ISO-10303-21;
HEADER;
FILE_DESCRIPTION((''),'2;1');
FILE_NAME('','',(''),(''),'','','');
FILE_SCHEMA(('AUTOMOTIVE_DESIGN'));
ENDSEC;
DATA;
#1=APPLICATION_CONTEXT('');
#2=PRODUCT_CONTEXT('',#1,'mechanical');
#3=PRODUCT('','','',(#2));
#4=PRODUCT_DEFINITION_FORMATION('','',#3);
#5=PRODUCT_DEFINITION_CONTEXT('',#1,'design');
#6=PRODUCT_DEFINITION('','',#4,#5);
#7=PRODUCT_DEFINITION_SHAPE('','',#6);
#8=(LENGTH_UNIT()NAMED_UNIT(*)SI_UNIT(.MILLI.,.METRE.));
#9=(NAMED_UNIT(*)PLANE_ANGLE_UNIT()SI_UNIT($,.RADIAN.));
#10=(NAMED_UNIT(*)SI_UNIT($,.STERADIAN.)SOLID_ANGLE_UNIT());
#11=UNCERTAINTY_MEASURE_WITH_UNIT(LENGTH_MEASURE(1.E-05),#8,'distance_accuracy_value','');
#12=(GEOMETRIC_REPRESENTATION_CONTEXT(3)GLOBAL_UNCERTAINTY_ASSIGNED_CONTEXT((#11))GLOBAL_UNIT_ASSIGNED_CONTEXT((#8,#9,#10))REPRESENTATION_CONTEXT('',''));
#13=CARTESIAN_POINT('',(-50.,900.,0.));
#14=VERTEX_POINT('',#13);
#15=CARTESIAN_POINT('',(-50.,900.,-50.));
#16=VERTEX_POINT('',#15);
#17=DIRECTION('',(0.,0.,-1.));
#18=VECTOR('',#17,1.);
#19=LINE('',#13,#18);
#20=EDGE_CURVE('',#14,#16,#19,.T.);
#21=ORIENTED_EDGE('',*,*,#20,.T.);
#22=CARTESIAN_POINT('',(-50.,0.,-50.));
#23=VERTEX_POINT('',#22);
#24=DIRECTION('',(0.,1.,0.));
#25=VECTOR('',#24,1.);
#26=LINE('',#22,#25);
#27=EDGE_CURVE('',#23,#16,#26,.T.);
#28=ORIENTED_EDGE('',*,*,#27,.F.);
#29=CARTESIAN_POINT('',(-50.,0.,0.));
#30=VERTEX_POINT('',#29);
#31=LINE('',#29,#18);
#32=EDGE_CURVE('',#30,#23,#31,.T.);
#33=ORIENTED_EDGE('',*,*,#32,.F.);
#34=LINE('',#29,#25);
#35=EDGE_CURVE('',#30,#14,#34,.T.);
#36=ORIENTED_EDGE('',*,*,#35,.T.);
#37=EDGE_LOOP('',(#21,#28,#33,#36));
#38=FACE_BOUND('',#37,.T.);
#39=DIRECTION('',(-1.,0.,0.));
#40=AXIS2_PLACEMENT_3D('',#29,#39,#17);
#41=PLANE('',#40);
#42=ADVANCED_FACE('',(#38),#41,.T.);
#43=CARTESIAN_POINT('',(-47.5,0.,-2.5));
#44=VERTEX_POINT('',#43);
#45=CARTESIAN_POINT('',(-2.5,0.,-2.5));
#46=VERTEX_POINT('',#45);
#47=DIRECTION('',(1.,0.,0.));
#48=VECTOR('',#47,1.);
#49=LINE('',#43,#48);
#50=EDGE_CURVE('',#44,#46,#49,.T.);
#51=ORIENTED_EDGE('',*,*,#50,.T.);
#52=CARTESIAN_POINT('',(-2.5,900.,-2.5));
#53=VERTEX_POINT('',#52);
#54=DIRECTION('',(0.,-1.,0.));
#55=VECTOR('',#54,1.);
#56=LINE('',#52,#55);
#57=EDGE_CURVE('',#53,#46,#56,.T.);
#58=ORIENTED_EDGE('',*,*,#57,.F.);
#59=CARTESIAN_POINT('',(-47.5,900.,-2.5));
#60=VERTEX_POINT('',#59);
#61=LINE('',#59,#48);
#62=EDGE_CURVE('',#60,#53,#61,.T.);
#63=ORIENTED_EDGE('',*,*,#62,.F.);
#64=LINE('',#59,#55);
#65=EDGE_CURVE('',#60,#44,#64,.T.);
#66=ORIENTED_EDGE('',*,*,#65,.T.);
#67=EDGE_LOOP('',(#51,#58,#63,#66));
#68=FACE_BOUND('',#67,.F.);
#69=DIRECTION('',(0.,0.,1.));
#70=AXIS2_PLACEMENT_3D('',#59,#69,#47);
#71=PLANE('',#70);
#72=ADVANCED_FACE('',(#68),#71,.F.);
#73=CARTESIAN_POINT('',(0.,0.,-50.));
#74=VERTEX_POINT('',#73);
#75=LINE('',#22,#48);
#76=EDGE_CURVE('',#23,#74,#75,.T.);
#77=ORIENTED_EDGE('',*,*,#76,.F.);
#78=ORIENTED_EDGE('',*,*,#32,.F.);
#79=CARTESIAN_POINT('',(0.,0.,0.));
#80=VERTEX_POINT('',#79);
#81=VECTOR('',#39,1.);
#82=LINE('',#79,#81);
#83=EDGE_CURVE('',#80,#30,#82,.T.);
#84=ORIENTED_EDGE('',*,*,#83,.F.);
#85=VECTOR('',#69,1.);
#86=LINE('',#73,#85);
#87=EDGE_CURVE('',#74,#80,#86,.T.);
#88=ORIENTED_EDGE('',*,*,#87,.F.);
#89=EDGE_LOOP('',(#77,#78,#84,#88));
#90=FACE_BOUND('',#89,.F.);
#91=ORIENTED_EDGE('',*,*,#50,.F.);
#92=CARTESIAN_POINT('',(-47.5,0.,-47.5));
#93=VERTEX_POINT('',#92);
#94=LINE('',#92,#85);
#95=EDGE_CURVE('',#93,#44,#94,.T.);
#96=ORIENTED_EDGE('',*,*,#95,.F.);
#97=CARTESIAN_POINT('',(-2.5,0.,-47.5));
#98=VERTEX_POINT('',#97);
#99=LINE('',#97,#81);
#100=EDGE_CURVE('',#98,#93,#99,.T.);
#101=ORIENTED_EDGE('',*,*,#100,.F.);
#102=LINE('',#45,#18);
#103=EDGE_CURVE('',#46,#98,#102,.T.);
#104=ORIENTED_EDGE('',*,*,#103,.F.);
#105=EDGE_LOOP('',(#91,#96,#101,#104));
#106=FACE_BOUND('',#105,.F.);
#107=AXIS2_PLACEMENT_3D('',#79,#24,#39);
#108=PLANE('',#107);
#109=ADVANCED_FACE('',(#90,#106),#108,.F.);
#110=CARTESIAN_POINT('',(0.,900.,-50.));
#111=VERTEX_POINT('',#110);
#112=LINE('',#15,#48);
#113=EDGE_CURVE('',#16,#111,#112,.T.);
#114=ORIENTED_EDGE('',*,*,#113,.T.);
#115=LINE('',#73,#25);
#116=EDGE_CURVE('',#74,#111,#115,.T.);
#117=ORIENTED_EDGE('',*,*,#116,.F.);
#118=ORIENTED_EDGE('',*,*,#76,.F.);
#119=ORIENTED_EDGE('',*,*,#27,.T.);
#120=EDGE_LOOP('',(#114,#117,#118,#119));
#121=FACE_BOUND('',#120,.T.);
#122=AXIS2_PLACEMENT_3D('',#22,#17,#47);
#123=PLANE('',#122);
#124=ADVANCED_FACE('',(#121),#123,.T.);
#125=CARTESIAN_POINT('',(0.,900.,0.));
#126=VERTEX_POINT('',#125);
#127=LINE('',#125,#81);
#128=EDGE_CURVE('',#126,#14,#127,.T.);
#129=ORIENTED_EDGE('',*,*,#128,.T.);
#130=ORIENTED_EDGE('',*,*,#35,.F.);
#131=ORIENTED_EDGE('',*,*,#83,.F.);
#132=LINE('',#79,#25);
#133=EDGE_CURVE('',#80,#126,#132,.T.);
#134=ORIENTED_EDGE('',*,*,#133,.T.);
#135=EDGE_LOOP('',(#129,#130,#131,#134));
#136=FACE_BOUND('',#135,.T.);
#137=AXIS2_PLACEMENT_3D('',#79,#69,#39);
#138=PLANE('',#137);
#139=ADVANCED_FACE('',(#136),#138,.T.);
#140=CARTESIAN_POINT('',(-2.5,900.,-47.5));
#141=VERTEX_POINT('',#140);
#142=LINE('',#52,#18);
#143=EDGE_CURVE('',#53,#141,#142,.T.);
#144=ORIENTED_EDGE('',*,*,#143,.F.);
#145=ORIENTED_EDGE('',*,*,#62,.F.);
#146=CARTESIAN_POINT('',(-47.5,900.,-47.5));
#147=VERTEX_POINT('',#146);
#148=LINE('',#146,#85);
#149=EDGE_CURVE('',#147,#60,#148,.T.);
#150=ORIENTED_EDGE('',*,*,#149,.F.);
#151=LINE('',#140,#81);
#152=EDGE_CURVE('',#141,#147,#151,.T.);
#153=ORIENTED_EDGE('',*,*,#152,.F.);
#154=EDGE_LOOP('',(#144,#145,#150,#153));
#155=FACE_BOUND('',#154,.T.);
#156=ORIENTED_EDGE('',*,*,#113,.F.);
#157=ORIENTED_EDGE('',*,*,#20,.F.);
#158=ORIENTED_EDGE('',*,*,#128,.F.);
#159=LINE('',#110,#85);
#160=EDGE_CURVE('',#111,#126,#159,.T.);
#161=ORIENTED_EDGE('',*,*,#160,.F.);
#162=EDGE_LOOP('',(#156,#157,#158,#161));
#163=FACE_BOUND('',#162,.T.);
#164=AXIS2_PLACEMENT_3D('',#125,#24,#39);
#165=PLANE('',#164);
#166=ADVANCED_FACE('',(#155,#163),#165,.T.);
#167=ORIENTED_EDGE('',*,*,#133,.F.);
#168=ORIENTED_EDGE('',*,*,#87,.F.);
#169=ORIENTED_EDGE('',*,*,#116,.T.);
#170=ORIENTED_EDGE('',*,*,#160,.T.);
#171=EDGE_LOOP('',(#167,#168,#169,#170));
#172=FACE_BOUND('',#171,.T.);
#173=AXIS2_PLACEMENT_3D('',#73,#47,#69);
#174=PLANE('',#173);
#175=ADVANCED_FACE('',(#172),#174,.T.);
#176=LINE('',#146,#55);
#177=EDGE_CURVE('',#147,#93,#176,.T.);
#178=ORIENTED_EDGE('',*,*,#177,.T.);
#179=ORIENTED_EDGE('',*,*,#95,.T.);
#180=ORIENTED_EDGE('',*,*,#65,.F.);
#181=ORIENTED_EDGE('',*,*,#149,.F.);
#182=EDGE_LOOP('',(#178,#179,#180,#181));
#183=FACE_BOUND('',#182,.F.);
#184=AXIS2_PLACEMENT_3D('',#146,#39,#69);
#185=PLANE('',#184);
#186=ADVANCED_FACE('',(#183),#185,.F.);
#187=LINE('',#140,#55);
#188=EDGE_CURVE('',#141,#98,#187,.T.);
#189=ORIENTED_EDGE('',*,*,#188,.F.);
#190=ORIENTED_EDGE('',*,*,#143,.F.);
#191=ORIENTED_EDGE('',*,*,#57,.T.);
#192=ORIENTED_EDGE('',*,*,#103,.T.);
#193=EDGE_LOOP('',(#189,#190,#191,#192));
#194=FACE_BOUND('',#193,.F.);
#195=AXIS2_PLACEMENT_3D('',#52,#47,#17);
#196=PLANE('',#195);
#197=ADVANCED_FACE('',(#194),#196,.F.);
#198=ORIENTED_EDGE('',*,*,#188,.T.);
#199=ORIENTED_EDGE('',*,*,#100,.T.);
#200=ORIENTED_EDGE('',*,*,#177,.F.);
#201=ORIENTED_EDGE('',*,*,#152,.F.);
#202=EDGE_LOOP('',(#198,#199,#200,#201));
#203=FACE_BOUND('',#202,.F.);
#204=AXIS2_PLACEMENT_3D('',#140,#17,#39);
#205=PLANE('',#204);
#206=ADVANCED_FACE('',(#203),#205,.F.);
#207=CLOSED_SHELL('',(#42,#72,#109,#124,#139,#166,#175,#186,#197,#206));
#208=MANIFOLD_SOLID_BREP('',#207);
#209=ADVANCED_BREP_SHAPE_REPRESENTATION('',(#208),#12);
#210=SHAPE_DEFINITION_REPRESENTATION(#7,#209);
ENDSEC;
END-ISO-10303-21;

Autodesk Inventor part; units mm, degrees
ref_plane "YZ Plane" through (0, 0, 0) normal (1, 0, 0) x (0, 1, 0)
ref_plane "XZ Plane" through (0, 0, 0) normal (0, 1, 0) x (-1, 0, 0)
ref_plane "XY Plane" through (0, 0, 0) normal (0, 0, 1) x (1, 0, 0)
sketch "Sketch1" plane through (0, 0, 0) normal (0, 1, 0) x (-1, 0, 0)
  line L0 (0, 0) -> (50, 0)
  line L1 (50, 0) -> (50, -50)
  line L2 (50, -50) -> (0, -50)
  line L3 (0, -50) -> (0, 0)
  dimension "d0" = 50
  dimension "d1" = 50
extrude "Extrusion1" add sketch "Sketch1" along normal blind 900
sketch "Sketch2" plane through (0, 900, 0) normal (0, 1, 0) x (1, 0, 0)
  line L0 (-50, 50) -> (-50, 0) projected
  line L1 (0, 50) -> (-50, 50) projected
  line L2 (-47.5, 2.5) -> (-2.5, 2.5)
  line L3 (-2.5, 2.5) -> (-2.5, 47.5)
  line L4 (-2.5, 47.5) -> (-47.5, 47.5)
  line L5 (-47.5, 47.5) -> (-47.5, 2.5)
  line L6 (-47.5, 2.5) -> (-2.5, 47.5) construction
  line L7 (-2.5, 2.5) -> (-47.5, 47.5) construction
  point P0 (0, 0)
  point P1 (-25, 25)
  dimension "d4" = 45
  dimension "d5" = 45
extrude "Extrusion2" cut sketch "Sketch2" against normal up to surface (900 mm away)
properties part number "metalonempe"
